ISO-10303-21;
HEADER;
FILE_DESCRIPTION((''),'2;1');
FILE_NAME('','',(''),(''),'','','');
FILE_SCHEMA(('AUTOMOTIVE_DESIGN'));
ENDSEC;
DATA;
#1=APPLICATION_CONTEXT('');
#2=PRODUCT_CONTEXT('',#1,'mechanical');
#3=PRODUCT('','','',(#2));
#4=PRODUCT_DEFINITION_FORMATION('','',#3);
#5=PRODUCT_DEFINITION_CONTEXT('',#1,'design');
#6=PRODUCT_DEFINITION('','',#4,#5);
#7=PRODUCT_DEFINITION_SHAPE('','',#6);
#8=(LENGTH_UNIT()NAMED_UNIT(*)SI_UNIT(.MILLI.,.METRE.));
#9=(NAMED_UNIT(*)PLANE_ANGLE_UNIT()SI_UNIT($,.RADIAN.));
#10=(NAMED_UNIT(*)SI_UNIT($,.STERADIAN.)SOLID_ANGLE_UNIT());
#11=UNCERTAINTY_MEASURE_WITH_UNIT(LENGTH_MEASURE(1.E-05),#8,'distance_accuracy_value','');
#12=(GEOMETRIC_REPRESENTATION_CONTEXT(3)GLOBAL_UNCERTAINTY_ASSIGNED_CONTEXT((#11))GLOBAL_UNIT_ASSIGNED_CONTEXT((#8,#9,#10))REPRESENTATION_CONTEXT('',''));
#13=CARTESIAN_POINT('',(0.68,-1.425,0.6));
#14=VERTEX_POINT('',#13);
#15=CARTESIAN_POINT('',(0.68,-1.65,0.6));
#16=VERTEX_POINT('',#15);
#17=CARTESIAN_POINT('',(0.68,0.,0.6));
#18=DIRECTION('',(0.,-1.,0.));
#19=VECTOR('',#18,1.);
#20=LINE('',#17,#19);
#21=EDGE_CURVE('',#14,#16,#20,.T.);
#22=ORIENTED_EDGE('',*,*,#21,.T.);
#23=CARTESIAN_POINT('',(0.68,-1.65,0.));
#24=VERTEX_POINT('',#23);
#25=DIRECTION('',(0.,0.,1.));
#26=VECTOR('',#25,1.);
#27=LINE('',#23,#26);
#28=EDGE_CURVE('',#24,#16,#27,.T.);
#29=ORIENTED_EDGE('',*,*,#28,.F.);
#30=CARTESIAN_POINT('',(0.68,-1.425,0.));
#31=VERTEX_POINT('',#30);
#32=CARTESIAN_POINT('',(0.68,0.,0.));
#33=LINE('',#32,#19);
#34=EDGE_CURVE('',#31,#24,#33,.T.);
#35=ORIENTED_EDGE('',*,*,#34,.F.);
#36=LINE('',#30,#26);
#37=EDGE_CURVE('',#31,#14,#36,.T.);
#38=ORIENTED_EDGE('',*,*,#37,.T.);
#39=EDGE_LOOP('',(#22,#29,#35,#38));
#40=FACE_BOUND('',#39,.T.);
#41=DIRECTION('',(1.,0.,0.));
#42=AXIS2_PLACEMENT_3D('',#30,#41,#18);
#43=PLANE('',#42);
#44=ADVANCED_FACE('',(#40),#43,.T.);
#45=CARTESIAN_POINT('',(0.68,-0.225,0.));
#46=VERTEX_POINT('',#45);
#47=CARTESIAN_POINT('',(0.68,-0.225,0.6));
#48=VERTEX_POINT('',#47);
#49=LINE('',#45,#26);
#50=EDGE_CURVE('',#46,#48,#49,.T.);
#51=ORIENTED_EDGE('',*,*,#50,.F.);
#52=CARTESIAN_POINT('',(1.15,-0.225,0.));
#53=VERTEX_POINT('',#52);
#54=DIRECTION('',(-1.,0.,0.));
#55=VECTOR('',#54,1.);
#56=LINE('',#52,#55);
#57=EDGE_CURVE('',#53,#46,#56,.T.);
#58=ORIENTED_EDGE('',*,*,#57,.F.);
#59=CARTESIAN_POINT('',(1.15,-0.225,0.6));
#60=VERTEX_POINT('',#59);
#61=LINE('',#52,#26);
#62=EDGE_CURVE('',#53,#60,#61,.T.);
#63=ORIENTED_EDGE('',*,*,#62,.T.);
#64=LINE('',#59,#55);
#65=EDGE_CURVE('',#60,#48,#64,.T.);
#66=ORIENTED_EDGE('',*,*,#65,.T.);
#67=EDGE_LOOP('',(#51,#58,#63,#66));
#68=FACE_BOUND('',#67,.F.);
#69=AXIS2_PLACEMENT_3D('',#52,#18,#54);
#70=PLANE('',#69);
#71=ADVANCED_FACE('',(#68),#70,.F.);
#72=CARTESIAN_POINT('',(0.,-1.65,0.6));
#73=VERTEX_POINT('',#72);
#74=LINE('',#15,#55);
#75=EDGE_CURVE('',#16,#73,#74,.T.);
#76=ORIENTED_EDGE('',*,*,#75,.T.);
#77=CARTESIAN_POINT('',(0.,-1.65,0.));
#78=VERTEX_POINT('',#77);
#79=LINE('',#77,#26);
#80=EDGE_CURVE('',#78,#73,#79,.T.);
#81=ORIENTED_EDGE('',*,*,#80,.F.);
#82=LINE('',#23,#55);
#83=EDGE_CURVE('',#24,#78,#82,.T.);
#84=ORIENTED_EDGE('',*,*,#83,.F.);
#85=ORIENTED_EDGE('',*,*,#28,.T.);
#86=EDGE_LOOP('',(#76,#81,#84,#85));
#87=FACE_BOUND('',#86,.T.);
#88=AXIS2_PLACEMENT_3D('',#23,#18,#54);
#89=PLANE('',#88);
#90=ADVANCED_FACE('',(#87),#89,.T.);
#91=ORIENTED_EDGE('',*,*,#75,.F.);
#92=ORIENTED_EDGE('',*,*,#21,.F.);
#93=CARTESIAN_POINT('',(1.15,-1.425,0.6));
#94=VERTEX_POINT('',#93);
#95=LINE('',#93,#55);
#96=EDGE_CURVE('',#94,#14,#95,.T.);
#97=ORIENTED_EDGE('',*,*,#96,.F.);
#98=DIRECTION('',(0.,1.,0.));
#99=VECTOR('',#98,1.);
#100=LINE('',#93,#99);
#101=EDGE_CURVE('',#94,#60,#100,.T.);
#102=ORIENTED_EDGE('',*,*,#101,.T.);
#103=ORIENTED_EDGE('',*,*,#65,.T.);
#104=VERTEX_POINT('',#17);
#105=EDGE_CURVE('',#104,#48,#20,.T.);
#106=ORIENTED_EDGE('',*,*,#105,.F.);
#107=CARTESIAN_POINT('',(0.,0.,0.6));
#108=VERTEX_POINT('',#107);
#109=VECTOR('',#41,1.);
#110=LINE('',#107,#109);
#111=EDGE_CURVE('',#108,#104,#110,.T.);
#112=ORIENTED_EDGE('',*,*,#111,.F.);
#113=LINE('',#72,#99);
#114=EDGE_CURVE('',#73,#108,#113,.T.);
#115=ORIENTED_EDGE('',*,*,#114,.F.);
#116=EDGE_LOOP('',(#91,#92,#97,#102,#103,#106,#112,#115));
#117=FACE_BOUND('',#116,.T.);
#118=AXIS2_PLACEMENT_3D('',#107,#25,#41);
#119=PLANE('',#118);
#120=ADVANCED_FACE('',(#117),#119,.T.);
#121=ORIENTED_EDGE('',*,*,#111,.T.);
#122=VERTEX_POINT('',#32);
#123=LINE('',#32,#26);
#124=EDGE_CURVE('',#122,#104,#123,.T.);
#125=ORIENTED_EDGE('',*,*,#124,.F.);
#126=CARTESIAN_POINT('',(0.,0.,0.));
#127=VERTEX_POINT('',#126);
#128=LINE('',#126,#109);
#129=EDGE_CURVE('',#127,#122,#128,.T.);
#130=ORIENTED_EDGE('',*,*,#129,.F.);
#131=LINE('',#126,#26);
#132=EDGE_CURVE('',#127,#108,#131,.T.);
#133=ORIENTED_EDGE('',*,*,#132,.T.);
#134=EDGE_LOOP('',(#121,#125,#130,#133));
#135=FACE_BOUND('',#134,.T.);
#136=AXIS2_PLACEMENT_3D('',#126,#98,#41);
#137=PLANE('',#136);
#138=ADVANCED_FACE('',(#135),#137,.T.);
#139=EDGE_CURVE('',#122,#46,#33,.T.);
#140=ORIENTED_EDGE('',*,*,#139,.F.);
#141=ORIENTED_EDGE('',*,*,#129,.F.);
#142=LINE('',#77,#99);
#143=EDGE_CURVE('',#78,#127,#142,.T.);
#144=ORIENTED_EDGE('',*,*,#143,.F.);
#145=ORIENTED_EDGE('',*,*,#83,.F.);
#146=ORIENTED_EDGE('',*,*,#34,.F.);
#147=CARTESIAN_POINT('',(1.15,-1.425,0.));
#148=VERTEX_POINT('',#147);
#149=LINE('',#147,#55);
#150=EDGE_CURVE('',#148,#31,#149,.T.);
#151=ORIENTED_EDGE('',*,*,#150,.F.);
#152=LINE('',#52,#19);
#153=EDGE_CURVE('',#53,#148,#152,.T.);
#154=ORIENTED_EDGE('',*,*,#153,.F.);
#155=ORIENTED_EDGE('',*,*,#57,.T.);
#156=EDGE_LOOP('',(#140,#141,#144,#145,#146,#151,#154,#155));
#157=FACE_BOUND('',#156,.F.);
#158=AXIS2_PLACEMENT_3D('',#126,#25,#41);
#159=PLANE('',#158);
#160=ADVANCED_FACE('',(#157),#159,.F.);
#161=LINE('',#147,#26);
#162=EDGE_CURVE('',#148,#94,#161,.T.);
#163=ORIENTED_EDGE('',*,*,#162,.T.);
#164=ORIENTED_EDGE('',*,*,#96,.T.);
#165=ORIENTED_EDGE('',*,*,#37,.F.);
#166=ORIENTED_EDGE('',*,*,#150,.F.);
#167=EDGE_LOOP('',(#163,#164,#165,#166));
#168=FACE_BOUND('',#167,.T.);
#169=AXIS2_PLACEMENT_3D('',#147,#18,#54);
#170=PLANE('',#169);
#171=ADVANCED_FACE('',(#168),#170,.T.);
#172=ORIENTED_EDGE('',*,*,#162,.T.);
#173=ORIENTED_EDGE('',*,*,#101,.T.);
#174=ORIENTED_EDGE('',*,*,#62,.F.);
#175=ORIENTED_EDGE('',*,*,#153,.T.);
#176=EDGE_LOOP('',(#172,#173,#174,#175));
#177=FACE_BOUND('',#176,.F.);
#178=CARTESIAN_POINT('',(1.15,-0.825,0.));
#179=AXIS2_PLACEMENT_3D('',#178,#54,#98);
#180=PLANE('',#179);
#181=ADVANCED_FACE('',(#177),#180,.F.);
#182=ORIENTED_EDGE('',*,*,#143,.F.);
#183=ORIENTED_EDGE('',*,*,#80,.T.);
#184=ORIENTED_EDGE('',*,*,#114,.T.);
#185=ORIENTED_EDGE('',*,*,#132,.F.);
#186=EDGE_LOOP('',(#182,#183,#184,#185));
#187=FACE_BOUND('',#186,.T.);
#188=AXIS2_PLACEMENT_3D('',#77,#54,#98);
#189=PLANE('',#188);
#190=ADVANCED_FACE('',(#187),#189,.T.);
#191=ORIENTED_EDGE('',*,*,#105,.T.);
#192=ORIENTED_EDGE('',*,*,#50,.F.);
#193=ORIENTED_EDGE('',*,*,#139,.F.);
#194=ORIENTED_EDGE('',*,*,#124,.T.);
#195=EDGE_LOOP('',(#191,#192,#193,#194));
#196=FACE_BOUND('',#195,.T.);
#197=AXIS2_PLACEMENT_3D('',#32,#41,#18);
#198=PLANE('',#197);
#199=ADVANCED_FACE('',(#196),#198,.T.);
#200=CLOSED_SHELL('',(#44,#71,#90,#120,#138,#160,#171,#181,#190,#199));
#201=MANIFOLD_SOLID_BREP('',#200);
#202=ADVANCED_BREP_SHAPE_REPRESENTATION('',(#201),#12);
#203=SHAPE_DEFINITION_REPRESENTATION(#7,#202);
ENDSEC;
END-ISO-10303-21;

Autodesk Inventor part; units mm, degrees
ref_plane "YZ Plane" through (0, 0, 0) normal (1, 0, 0) x (0, 1, 0)
ref_plane "XZ Plane" through (0, 0, 0) normal (0, 1, 0) x (-1, 0, 0)
ref_plane "XY Plane" through (0, 0, 0) normal (0, 0, 1) x (1, 0, 0)
sketch "Sketch1" plane through (0, 0, 0) normal (0, 0, 1) x (1, 0, 0)
  line L0 (0, 0) -> (0.68, 0)
  line L1 (0.68, 0) -> (0.68, -1.65)
  line L2 (0.68, -1.65) -> (0, -1.65)
  line L3 (0, -1.65) -> (0, 0)
  line L4 (0.68, -0.825) -> (1.15, -0.825)
  line L5 (1.15, -0.825) -> (1.15, -1.425)
  line L6 (1.15, -1.425) -> (0.68, -1.425)
  line L7 (1.15, -0.825) -> (1.15, -0.225)
  line L8 (1.15, -0.225) -> (0.68, -0.225)
  dimension "d0" = 0.68
  dimension "d1" = 1.65
  dimension "d2" = 0.47
  dimension "d3" = 0.6
  dimension "d4" = 0.6
extrude "Extrusion1" add sketch "Sketch1" along normal blind 0.6
properties part number "ESPLED"
